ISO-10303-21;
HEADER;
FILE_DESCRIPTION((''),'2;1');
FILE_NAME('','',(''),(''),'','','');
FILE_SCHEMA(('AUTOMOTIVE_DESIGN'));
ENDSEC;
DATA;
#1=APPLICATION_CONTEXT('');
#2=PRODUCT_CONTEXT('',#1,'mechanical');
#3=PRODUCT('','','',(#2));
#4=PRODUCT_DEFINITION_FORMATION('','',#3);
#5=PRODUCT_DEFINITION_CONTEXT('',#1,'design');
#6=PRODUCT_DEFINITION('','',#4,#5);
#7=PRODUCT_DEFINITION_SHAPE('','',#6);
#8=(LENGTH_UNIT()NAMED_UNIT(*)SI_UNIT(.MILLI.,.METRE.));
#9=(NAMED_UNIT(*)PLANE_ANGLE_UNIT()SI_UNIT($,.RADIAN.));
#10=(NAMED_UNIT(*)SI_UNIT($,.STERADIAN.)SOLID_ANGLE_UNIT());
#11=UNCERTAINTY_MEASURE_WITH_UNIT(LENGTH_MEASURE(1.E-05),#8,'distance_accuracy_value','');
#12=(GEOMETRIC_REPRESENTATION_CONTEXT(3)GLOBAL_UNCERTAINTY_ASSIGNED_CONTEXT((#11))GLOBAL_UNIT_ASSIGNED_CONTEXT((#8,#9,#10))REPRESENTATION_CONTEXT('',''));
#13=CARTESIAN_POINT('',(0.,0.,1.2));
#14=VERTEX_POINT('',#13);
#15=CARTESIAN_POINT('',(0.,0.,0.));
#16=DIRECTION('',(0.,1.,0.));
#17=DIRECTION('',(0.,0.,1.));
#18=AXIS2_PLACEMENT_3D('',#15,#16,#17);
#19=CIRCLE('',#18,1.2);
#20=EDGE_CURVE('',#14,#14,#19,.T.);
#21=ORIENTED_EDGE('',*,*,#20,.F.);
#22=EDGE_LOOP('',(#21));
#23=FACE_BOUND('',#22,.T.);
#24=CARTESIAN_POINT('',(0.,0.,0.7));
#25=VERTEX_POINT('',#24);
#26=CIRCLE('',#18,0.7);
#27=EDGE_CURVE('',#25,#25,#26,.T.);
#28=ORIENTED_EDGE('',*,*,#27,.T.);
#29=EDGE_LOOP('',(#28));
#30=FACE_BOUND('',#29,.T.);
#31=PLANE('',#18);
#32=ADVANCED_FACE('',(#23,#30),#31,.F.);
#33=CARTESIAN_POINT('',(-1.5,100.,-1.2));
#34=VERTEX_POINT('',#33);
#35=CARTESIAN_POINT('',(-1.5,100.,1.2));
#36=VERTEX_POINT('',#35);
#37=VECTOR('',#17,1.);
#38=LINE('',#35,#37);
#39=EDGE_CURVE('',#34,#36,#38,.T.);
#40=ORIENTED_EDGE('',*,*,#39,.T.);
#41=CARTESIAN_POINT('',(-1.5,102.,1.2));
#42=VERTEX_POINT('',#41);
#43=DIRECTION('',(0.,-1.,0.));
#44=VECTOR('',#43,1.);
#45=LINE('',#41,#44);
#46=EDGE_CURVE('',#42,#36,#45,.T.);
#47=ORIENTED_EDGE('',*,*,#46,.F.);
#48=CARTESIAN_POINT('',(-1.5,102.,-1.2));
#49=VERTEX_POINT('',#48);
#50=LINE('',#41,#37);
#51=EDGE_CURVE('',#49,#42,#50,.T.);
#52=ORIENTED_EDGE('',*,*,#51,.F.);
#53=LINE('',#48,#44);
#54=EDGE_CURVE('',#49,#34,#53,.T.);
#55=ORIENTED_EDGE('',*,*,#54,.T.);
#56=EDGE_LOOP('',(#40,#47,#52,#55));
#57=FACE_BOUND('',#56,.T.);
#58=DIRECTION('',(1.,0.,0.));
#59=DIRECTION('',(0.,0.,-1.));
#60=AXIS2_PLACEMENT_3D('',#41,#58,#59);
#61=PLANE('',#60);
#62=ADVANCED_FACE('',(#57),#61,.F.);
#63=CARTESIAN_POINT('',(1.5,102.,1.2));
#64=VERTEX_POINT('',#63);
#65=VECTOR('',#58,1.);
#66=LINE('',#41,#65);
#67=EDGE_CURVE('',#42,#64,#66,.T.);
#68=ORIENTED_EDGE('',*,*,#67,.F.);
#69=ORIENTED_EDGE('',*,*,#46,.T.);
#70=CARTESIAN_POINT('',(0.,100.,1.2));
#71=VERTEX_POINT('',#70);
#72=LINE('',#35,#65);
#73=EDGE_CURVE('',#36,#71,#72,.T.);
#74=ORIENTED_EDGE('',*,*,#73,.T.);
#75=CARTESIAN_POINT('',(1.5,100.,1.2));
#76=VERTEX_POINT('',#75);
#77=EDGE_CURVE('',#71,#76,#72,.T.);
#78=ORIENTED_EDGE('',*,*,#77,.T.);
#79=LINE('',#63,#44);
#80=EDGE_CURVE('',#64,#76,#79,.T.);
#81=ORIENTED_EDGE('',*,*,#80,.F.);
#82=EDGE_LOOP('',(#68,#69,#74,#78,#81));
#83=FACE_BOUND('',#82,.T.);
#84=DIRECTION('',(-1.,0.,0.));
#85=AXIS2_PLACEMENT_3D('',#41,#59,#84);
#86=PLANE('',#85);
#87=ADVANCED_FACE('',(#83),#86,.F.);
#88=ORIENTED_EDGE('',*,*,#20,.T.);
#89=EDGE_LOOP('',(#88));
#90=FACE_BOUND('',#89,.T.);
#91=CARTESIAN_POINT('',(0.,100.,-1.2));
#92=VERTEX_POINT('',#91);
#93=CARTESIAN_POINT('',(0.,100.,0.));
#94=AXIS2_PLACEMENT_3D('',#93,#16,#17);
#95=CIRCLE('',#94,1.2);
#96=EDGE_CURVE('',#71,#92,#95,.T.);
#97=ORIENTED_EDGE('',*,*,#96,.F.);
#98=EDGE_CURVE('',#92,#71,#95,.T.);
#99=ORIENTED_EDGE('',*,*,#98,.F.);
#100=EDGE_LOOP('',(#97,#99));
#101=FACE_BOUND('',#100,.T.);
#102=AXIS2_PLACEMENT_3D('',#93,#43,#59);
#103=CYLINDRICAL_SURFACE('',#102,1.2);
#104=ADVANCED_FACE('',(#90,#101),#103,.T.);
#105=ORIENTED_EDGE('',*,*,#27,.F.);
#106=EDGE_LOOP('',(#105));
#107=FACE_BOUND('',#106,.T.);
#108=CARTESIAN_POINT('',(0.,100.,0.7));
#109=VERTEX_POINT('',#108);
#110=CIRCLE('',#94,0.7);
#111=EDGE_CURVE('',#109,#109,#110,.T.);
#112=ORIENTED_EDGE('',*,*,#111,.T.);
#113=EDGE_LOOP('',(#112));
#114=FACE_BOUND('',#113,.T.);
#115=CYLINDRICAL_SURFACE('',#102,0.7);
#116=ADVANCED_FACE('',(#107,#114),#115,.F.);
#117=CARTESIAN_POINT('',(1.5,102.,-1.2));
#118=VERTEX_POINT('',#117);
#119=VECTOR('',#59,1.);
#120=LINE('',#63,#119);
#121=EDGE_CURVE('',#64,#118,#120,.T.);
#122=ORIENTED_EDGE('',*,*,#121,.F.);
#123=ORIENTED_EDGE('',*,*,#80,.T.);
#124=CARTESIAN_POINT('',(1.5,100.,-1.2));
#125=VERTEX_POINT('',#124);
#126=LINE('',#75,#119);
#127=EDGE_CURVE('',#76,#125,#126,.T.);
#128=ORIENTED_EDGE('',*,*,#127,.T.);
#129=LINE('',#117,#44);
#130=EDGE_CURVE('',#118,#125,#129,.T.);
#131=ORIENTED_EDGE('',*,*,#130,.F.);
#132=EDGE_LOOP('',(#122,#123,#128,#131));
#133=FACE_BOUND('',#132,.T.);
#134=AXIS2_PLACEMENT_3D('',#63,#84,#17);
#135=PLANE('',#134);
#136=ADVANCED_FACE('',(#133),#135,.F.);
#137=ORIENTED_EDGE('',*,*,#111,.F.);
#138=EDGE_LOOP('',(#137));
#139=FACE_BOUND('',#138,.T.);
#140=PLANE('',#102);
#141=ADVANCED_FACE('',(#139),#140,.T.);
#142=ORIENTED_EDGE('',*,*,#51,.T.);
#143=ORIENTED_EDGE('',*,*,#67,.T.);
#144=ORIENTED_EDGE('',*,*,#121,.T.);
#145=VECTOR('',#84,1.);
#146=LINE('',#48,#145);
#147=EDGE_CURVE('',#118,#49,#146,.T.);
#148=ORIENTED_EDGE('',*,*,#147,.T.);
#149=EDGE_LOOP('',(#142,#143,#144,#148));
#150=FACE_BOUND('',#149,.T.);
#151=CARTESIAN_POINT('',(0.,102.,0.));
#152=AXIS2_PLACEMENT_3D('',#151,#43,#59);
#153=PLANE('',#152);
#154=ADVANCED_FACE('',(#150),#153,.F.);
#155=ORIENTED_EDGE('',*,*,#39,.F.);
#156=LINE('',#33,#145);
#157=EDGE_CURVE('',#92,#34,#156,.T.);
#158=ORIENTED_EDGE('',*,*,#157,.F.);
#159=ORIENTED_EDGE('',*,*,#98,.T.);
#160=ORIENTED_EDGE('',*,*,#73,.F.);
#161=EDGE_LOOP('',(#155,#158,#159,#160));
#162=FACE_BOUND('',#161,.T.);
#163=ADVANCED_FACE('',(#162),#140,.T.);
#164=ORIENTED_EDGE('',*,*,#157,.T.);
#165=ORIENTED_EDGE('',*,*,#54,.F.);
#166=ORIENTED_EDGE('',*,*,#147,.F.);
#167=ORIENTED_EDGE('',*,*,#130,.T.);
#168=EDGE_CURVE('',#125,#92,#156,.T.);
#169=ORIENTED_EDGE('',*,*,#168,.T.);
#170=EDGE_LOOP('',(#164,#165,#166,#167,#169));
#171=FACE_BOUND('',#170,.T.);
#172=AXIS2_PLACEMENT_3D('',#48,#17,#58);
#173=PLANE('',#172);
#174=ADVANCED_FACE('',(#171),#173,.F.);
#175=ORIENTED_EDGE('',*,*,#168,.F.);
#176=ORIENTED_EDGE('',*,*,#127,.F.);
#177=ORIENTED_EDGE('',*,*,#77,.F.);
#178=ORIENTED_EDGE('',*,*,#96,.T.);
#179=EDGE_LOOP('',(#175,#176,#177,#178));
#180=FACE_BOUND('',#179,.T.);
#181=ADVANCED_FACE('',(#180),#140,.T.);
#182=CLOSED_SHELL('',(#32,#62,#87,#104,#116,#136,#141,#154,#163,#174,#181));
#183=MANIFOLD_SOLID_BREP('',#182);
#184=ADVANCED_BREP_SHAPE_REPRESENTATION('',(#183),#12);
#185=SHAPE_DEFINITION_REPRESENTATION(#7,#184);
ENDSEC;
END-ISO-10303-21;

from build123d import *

# Parameters (mm, degrees)
SKETCH_2_R      = 1.2
SKETCH_2_R_2    = 0.7
EXTRUDE_1_DEPTH = 100
SKETCH_3_W      = 3
SKETCH_3_H      = 2.4
EXTRUDE_2_DEPTH = 2


with BuildPart() as part:
    # 草图2 → 凸台-拉伸1 (new body)
    with BuildSketch(Plane(origin=(0, 0, 0), x_dir=(1, 0, 0), z_dir=(0, 1, 0))):
        with Locations(Location((0, 0, 0), (0, 0, 270))):
            Circle(SKETCH_2_R)
        with Locations(Location((0, 0, 0), (0, 0, 270))):
            Circle(SKETCH_2_R_2, mode=Mode.SUBTRACT)
    extrude(amount=EXTRUDE_1_DEPTH)

    # 草图3 → 凸台-拉伸2 (add)
    with BuildSketch(Plane(origin=(0, 100, 0), x_dir=(1, 0, 0), z_dir=(0, 1, 0))):
        Rectangle(SKETCH_3_W, SKETCH_3_H)
    extrude(amount=EXTRUDE_2_DEPTH)


solid = part.part
